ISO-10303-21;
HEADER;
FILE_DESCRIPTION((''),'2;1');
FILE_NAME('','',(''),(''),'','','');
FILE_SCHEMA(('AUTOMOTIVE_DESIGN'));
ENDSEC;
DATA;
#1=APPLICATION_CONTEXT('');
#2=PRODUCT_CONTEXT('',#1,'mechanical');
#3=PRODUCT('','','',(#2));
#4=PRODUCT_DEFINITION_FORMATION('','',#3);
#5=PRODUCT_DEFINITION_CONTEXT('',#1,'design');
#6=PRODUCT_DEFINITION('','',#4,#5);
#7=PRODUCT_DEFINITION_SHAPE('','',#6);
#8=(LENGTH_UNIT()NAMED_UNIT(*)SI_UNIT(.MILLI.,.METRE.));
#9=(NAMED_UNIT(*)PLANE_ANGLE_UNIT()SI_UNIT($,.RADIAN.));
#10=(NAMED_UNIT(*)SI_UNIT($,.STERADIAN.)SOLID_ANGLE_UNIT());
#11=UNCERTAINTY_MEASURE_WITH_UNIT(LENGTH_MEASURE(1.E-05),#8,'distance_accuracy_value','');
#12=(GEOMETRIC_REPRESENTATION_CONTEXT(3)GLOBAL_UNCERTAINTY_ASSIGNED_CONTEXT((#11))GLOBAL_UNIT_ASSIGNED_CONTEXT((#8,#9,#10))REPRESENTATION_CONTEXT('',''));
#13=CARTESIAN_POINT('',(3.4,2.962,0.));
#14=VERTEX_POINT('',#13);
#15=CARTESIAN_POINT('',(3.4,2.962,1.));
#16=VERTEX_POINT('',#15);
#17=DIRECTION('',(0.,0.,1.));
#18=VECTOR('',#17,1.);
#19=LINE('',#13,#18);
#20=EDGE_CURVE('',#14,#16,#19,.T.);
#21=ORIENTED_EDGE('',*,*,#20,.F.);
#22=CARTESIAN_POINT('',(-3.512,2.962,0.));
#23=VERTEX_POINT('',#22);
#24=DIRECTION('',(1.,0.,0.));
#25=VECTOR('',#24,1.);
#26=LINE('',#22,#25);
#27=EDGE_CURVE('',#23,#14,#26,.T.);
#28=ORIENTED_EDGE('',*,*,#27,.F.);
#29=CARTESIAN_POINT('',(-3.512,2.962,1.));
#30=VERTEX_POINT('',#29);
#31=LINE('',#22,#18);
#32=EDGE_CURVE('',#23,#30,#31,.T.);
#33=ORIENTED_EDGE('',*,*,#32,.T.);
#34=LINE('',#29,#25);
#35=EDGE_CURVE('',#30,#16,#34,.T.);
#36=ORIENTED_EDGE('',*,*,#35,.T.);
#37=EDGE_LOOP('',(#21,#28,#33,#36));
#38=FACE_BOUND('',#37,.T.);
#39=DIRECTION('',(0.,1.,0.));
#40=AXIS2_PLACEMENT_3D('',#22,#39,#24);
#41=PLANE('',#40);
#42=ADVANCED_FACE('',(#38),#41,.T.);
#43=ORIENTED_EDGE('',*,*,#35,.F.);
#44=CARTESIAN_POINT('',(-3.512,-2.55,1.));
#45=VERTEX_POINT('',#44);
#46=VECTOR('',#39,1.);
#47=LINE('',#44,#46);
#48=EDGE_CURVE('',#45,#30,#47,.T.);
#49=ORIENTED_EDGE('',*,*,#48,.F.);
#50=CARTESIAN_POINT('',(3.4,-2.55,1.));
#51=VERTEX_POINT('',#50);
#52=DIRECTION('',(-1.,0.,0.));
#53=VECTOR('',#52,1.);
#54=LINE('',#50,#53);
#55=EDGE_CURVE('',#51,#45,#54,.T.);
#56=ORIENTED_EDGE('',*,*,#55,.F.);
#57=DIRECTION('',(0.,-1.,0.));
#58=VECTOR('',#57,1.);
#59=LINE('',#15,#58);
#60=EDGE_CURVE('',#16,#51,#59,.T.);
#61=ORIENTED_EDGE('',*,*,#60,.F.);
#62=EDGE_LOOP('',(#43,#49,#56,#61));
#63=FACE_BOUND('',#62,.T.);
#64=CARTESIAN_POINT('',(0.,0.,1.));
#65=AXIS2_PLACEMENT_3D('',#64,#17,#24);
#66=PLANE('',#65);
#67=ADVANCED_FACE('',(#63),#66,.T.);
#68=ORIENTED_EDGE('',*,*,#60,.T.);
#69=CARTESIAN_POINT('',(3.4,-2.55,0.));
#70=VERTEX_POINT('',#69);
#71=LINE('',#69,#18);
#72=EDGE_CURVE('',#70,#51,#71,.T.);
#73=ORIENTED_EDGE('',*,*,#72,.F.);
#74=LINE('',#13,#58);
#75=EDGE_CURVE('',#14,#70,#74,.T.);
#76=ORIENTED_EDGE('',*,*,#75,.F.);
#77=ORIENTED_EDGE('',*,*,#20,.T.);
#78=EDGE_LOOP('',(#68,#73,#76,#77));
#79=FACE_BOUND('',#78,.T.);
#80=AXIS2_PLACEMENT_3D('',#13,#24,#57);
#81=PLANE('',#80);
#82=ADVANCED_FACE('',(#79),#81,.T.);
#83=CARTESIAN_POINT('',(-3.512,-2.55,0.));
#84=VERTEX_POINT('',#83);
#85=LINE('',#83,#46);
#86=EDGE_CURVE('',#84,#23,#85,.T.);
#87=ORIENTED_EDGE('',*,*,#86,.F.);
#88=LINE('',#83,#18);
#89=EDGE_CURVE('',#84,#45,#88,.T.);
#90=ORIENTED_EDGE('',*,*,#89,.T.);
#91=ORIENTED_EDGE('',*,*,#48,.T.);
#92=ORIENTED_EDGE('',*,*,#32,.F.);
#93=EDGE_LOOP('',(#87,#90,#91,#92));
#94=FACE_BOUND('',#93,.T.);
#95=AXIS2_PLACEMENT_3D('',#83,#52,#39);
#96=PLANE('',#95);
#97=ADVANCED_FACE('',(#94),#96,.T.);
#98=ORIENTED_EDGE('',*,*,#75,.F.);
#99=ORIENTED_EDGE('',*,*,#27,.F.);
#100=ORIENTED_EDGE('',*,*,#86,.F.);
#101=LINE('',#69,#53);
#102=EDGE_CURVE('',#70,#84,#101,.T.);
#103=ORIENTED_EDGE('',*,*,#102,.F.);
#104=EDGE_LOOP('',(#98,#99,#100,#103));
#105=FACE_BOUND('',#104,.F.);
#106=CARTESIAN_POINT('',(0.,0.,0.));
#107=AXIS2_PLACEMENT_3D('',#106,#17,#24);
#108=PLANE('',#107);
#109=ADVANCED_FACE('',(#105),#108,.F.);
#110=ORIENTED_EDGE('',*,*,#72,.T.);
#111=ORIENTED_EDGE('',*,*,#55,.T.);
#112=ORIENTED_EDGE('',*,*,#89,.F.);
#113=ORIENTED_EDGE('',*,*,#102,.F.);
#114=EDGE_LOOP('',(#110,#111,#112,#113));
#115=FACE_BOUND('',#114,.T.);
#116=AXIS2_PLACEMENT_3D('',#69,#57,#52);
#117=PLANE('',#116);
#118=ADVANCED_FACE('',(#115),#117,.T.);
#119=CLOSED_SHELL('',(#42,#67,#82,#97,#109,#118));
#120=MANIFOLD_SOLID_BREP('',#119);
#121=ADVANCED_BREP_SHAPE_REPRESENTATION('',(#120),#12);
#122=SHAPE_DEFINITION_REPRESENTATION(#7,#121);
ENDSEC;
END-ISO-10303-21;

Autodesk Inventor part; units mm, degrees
ref_plane "YZ Plane" through (0, 0, 0) normal (1, 0, 0) x (0, 1, 0)
ref_plane "XZ Plane" through (0, 0, 0) normal (0, 1, 0) x (-1, 0, 0)
ref_plane "XY Plane" through (0, 0, 0) normal (0, 0, 1) x (1, 0, 0)
sketch "SOIC8, MCP1726_44" plane through (0, 0, 0) normal (0, 0, 1) x (1, 0, 0)
  line L0 (-3.512, -2.55) -> (-3.512, 2.962)
  line L1 (-3.512, 2.962) -> (3.4, 2.962)
  line L2 (3.4, 2.962) -> (3.4, -2.55)
  line L3 (3.4, -2.55) -> (-3.512, -2.55)
extrude "Extrusion1" add sketch "SOIC8, MCP1726_44" along normal blind 1
properties part number "MCP1726"
